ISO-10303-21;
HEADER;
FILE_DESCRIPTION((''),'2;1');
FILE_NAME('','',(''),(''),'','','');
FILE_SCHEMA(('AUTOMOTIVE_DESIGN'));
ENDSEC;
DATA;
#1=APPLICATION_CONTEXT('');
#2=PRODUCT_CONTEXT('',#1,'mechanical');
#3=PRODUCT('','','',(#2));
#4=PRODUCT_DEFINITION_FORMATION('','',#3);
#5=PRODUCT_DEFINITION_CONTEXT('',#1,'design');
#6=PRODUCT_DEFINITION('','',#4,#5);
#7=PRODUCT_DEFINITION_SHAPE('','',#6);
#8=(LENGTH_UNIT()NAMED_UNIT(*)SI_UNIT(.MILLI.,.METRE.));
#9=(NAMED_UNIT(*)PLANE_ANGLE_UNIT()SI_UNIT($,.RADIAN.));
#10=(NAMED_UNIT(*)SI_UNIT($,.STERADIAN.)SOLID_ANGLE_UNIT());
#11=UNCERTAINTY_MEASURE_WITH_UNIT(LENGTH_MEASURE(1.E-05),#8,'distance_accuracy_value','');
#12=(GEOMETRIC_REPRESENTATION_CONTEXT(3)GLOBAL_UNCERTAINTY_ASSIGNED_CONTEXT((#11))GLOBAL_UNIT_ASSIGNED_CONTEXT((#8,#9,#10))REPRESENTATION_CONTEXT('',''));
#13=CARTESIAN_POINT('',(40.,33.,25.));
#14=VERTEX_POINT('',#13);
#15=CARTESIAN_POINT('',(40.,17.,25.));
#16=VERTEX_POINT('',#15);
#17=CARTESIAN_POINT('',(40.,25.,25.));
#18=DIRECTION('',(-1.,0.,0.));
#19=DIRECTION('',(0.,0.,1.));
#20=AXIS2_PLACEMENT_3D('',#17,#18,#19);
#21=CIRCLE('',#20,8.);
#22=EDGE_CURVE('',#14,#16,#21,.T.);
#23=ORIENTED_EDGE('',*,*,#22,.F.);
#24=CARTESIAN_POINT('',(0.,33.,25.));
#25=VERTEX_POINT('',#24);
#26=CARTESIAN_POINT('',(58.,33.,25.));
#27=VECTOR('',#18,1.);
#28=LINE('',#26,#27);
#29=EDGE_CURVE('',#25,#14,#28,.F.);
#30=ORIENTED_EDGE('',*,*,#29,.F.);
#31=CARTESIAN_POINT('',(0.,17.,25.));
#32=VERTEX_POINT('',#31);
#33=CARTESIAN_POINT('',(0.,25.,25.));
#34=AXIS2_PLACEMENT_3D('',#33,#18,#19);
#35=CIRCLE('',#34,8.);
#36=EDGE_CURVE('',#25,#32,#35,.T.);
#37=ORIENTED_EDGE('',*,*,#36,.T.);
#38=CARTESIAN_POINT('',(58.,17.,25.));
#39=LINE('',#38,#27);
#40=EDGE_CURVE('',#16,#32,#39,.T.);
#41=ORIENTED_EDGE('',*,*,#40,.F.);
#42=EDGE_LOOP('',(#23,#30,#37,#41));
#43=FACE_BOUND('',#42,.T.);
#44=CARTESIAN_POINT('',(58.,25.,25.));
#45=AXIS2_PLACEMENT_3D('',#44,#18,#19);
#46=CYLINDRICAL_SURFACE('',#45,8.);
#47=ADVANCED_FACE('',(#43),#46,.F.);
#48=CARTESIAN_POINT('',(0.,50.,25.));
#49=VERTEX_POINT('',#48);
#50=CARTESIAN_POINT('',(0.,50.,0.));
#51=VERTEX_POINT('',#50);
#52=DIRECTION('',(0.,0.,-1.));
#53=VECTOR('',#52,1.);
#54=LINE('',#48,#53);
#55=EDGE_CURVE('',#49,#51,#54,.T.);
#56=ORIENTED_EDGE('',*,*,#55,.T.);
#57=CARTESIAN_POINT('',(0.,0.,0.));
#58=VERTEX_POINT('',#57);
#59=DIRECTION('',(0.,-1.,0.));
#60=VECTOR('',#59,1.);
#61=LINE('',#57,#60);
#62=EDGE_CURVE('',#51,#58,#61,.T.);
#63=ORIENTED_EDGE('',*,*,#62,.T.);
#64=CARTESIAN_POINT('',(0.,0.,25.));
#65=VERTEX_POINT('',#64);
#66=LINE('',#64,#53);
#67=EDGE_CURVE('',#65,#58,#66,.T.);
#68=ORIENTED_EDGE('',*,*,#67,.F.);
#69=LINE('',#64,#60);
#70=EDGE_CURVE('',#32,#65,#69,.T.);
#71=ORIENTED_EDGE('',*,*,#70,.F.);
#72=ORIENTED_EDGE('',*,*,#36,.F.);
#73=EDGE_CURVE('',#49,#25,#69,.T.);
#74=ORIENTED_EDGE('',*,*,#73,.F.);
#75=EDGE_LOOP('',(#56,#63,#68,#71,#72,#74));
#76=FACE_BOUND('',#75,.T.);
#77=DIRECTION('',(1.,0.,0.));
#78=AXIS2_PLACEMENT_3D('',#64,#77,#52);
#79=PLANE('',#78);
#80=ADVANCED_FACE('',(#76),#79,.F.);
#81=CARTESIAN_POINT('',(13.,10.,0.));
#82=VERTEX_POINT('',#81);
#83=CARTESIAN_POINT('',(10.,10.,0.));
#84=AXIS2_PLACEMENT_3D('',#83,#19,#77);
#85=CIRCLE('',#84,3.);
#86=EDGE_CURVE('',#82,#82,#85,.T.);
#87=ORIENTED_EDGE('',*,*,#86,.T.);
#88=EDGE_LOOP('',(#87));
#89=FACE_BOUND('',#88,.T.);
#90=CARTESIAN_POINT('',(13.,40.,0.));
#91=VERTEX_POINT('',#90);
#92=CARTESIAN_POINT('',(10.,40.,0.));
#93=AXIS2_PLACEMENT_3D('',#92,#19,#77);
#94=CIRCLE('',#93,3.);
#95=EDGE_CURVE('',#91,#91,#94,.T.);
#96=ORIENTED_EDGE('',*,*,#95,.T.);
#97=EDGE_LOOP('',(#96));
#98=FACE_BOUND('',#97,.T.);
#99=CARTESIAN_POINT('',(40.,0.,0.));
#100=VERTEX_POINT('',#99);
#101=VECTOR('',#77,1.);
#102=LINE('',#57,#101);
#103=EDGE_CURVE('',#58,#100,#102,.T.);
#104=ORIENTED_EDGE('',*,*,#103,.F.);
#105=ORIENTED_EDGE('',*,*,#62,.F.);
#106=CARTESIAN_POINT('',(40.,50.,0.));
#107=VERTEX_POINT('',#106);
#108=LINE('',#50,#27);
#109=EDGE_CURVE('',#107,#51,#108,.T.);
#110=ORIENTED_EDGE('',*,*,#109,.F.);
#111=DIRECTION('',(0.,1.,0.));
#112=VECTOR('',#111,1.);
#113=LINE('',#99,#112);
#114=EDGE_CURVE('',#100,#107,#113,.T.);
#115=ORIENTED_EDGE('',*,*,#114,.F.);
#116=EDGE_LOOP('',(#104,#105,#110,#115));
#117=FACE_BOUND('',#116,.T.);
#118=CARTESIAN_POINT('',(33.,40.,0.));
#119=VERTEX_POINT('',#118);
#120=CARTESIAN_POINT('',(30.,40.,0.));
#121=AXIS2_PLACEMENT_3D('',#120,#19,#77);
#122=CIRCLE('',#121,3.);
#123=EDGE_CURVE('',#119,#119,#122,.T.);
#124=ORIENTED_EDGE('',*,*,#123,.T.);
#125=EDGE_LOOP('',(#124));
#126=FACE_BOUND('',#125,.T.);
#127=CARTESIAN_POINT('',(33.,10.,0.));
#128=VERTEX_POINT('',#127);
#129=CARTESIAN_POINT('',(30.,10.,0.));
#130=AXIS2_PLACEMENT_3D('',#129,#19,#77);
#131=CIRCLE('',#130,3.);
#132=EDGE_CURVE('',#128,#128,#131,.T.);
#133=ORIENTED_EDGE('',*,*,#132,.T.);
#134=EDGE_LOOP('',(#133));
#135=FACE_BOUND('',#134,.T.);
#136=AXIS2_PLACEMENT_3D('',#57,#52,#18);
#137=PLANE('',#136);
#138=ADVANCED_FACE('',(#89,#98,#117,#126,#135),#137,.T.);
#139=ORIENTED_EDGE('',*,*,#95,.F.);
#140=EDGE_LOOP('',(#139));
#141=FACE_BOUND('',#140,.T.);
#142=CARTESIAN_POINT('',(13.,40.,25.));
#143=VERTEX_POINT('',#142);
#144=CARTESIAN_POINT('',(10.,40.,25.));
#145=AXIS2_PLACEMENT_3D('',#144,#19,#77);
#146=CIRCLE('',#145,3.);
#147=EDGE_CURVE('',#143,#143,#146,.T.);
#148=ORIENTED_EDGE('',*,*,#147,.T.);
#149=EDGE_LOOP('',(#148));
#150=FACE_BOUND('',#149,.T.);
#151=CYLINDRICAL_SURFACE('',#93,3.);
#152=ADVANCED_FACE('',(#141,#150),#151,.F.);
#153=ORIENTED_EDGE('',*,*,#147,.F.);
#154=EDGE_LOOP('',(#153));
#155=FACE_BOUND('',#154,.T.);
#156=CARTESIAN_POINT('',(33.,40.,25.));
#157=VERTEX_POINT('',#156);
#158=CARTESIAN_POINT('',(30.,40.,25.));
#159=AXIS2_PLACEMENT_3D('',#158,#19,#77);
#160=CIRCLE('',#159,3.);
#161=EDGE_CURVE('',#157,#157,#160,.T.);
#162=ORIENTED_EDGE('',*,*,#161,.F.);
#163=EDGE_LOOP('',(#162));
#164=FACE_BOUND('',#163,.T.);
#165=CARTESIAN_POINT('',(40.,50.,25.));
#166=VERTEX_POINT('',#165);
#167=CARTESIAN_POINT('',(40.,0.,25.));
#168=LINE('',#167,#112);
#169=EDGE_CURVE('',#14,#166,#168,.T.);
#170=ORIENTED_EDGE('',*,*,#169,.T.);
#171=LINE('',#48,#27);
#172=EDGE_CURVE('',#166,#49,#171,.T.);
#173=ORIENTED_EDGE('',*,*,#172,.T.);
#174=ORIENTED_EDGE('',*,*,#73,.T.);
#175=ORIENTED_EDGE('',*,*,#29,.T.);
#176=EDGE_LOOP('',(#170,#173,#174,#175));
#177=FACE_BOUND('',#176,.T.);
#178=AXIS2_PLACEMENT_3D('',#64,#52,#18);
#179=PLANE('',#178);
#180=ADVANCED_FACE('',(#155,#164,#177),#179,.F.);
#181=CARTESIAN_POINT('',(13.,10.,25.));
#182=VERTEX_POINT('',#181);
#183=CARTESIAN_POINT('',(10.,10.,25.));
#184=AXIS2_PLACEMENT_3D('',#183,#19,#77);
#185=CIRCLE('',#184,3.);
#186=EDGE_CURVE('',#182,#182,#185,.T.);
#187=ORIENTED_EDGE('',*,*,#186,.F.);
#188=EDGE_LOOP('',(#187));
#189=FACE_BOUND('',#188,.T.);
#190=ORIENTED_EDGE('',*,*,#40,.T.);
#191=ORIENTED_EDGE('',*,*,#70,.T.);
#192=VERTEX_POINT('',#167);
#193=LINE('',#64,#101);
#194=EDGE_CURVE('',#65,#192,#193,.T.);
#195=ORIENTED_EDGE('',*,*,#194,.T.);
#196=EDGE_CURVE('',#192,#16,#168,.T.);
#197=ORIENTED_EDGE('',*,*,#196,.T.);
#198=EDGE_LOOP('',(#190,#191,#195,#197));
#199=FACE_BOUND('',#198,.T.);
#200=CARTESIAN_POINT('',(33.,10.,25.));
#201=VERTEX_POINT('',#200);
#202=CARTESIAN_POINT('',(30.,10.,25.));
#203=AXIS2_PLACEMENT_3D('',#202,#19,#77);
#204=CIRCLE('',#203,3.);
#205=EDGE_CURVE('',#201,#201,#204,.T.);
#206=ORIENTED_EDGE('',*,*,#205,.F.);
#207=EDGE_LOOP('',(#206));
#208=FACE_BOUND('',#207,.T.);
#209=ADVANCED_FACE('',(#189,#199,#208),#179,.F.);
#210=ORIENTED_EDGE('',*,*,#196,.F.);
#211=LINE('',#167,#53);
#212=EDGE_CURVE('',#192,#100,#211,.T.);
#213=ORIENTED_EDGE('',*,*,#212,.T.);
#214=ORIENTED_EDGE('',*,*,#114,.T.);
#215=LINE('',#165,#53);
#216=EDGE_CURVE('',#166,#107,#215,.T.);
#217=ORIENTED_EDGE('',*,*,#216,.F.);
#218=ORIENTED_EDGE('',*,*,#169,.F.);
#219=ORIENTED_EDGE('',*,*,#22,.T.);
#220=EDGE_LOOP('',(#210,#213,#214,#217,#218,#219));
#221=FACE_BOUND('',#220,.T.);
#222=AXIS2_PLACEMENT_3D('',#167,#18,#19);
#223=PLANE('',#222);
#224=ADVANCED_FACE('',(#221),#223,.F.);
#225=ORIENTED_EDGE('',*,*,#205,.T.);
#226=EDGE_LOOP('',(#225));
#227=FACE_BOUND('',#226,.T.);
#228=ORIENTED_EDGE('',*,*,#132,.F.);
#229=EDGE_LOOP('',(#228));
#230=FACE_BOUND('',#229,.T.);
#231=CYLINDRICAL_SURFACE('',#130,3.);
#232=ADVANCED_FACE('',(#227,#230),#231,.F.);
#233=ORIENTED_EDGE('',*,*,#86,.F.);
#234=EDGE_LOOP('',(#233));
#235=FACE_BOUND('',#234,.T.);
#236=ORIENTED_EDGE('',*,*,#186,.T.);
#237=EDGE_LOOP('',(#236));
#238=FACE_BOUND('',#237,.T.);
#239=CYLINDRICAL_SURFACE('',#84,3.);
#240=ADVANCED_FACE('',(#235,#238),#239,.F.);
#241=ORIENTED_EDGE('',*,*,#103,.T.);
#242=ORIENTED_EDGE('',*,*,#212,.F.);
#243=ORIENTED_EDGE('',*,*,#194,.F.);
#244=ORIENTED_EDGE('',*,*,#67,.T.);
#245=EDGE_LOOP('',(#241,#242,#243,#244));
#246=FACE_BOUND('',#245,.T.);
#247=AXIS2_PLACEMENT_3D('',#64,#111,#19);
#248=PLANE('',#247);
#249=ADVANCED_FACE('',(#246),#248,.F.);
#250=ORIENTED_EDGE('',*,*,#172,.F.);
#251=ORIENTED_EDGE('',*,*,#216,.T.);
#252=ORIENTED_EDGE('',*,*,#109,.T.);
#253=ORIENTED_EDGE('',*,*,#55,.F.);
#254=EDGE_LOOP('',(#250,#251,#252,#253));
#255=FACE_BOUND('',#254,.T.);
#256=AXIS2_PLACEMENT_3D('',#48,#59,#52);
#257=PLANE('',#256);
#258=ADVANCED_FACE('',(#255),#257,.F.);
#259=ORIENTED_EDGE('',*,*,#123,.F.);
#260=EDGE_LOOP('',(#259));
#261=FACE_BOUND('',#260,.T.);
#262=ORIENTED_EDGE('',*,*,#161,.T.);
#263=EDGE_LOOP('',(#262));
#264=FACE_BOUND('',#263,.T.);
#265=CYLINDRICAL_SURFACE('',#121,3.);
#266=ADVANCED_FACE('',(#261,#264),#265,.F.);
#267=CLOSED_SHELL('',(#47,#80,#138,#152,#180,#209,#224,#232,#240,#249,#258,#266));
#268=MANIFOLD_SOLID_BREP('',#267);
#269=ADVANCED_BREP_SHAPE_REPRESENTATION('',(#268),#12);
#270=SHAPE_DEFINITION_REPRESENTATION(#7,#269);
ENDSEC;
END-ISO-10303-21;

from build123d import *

# Parameters (mm, degrees)
SKETCH1_W           = 40
SKETCH1_H           = 50
BOSS_EXTRUDE1_DEPTH = 25
SKETCH2_R           = 8
CUT_EXTRUDE1_DEPTH  = 58
SKETCH3_R           = 3
CUT_EXTRUDE2_DEPTH  = 25


with BuildPart() as part:
    # Sketch1 → Boss-Extrude1 (new body)
    with BuildSketch(Plane.XY):
        with Locations((20, 25)):
            Rectangle(SKETCH1_W, SKETCH1_H)
    extrude(amount=BOSS_EXTRUDE1_DEPTH)

    # Sketch2 → Cut-Extrude1 (cut)
    with BuildSketch(Plane.ZY):
        with Locations((25, 25)):
            Circle(SKETCH2_R)
    extrude(amount=-CUT_EXTRUDE1_DEPTH, mode=Mode.SUBTRACT)

    # Sketch3 → Cut-Extrude2 (cut)
    with BuildSketch(Plane.XY.offset(25)):
        with Locations((10, 40)):
            Circle(SKETCH3_R)
        with Locations((30, 40)):
            Circle(SKETCH3_R)
        with Locations((30, 10)):
            Circle(SKETCH3_R)
        with Locations((10, 10)):
            Circle(SKETCH3_R)
    extrude(amount=-CUT_EXTRUDE2_DEPTH, mode=Mode.SUBTRACT)


solid = part.part
